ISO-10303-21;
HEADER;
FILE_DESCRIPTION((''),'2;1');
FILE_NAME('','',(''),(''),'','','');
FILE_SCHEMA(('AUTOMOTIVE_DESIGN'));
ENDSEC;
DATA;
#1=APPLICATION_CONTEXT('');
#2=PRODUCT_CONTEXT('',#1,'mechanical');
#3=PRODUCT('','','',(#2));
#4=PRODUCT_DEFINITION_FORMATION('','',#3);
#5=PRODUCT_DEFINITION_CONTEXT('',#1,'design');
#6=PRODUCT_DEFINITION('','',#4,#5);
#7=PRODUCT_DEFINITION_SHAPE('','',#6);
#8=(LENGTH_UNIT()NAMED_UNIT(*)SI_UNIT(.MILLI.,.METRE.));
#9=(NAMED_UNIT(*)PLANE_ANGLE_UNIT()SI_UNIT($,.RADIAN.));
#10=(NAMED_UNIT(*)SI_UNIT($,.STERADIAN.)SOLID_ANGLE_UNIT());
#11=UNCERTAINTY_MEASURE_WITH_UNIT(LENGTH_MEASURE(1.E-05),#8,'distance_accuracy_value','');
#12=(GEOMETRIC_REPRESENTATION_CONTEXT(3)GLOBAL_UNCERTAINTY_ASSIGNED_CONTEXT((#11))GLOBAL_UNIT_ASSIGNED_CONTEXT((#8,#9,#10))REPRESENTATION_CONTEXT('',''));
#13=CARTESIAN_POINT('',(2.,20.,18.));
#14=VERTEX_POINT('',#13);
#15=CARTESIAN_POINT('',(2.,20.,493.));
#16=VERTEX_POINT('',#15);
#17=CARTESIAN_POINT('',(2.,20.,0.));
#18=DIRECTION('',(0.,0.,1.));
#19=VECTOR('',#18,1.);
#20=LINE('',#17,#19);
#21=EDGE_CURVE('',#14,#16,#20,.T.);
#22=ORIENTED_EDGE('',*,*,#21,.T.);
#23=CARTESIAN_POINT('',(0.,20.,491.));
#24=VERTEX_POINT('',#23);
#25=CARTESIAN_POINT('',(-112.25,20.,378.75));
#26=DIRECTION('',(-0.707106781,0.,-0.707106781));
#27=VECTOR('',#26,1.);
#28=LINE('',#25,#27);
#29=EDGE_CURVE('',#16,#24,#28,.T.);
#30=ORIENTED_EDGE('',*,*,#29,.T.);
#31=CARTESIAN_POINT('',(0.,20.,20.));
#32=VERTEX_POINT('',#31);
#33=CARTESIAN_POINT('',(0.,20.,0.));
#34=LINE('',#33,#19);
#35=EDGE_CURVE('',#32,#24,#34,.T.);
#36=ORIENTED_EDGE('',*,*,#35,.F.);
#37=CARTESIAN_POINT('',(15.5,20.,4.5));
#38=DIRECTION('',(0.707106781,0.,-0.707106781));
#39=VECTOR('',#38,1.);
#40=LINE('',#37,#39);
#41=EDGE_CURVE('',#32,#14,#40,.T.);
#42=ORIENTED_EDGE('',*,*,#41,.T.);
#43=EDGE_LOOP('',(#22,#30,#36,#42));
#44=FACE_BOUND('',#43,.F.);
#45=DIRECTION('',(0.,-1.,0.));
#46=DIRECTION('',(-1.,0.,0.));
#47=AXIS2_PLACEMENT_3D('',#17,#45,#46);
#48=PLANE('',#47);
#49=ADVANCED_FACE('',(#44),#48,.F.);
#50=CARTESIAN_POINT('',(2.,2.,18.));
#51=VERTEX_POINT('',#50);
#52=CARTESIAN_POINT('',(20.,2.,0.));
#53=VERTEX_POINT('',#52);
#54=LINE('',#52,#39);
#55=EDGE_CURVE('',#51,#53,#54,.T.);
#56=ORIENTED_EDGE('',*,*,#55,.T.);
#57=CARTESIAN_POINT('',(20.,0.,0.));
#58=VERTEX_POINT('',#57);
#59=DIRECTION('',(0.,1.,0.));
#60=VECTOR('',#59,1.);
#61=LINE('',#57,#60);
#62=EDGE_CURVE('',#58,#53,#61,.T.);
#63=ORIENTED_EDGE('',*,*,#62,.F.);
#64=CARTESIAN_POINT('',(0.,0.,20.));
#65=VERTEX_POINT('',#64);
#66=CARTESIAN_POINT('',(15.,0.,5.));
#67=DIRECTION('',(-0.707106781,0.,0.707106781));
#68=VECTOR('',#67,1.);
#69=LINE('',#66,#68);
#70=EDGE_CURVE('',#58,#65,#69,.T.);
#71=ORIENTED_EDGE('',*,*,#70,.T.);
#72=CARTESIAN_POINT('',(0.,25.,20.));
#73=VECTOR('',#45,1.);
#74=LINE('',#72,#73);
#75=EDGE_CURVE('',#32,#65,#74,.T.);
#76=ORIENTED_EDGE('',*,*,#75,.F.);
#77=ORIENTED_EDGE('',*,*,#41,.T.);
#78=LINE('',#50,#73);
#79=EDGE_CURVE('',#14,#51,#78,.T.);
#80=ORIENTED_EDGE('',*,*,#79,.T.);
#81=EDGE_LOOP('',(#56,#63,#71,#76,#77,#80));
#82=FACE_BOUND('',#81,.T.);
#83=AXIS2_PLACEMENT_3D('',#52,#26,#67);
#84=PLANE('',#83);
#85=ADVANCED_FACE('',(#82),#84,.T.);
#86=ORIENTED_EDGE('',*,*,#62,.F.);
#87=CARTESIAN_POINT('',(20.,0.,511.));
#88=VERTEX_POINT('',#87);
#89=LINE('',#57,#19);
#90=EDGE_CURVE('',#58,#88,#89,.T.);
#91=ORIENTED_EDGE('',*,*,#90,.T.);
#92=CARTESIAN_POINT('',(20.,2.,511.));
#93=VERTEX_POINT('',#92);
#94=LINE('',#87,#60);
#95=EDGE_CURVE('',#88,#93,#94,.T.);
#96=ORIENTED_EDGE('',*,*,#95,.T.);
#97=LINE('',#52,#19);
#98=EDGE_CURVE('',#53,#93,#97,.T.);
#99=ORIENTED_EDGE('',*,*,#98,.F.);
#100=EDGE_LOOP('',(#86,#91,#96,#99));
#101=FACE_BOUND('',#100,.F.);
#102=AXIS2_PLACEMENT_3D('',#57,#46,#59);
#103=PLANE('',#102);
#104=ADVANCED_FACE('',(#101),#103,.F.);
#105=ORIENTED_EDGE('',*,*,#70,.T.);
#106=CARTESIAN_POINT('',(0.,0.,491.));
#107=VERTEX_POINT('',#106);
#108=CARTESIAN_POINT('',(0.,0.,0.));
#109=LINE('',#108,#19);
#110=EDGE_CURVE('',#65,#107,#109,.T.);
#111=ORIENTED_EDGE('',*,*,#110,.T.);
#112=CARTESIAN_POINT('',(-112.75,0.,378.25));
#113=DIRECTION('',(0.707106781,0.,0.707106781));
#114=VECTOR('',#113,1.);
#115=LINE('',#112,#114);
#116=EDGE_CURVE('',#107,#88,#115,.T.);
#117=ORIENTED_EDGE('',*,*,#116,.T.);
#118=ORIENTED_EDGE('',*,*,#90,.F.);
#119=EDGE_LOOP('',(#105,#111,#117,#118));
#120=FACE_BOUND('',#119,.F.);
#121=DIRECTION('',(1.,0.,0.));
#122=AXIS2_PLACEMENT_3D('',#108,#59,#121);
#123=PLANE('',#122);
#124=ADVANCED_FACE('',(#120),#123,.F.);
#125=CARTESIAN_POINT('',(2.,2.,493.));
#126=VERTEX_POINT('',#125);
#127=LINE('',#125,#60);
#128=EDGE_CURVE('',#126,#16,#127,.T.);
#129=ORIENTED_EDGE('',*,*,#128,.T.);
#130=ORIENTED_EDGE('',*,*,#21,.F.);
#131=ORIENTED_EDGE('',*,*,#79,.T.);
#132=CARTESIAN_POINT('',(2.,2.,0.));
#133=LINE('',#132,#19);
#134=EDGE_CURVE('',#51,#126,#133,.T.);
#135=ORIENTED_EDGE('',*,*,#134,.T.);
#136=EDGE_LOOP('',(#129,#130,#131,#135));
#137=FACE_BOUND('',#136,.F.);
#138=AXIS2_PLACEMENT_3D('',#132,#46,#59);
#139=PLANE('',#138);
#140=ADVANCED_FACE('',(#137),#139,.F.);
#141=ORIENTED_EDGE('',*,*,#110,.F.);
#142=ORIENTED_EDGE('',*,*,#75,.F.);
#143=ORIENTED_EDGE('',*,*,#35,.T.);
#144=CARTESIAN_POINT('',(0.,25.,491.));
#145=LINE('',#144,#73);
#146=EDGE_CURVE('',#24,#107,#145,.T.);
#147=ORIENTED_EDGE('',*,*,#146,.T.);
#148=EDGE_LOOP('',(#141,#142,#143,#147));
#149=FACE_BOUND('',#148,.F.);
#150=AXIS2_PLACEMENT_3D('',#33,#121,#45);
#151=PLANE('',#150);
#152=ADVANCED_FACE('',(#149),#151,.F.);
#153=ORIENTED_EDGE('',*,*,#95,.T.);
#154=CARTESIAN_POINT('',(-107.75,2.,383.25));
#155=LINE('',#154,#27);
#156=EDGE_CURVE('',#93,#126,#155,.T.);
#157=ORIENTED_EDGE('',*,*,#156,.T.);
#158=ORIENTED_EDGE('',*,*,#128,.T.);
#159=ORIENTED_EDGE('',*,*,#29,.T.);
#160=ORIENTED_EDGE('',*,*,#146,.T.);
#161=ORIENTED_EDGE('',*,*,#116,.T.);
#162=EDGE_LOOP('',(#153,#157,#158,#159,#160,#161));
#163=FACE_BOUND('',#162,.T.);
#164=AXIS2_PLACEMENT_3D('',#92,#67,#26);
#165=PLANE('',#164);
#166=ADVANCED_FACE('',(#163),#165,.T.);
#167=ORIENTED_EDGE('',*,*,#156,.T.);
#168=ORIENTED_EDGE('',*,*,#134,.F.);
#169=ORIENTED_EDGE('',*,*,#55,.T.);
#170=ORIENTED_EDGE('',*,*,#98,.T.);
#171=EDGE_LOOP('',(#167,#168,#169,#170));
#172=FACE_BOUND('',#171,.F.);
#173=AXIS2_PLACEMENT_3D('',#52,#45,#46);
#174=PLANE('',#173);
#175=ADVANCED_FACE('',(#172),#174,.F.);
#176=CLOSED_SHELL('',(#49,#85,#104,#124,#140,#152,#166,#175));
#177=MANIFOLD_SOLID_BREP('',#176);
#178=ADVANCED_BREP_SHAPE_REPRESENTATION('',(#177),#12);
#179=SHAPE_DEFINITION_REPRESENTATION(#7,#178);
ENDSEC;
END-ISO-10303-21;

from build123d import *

# Parameters (mm, degrees)
BOSS_EXTRUDE1_DEPTH = 511
CUT_EXTRUDE1_DEPTH  = 23


with BuildPart() as part:
    # Sketch1 → Boss-Extrude1 (new body)
    with BuildSketch(Plane.XY):
        Polygon((0, 0), (20, 0), (20, 2), (2, 2), (2, 20), (0, 20), align=None)
    extrude(amount=BOSS_EXTRUDE1_DEPTH)

    # Sketch2 → Cut-Extrude1 (cut, symmetric)
    with BuildSketch(Plane(origin=(0, 2, 0), x_dir=(1, 0, 0), z_dir=(0, 1, 0))):
        Polygon((0, -511), (20, -511), (0, -491), align=None)
        Polygon((20, 0), (0, -20), (0, 0), align=None)
    extrude(amount=CUT_EXTRUDE1_DEPTH, both=True, mode=Mode.SUBTRACT)


solid = part.part
